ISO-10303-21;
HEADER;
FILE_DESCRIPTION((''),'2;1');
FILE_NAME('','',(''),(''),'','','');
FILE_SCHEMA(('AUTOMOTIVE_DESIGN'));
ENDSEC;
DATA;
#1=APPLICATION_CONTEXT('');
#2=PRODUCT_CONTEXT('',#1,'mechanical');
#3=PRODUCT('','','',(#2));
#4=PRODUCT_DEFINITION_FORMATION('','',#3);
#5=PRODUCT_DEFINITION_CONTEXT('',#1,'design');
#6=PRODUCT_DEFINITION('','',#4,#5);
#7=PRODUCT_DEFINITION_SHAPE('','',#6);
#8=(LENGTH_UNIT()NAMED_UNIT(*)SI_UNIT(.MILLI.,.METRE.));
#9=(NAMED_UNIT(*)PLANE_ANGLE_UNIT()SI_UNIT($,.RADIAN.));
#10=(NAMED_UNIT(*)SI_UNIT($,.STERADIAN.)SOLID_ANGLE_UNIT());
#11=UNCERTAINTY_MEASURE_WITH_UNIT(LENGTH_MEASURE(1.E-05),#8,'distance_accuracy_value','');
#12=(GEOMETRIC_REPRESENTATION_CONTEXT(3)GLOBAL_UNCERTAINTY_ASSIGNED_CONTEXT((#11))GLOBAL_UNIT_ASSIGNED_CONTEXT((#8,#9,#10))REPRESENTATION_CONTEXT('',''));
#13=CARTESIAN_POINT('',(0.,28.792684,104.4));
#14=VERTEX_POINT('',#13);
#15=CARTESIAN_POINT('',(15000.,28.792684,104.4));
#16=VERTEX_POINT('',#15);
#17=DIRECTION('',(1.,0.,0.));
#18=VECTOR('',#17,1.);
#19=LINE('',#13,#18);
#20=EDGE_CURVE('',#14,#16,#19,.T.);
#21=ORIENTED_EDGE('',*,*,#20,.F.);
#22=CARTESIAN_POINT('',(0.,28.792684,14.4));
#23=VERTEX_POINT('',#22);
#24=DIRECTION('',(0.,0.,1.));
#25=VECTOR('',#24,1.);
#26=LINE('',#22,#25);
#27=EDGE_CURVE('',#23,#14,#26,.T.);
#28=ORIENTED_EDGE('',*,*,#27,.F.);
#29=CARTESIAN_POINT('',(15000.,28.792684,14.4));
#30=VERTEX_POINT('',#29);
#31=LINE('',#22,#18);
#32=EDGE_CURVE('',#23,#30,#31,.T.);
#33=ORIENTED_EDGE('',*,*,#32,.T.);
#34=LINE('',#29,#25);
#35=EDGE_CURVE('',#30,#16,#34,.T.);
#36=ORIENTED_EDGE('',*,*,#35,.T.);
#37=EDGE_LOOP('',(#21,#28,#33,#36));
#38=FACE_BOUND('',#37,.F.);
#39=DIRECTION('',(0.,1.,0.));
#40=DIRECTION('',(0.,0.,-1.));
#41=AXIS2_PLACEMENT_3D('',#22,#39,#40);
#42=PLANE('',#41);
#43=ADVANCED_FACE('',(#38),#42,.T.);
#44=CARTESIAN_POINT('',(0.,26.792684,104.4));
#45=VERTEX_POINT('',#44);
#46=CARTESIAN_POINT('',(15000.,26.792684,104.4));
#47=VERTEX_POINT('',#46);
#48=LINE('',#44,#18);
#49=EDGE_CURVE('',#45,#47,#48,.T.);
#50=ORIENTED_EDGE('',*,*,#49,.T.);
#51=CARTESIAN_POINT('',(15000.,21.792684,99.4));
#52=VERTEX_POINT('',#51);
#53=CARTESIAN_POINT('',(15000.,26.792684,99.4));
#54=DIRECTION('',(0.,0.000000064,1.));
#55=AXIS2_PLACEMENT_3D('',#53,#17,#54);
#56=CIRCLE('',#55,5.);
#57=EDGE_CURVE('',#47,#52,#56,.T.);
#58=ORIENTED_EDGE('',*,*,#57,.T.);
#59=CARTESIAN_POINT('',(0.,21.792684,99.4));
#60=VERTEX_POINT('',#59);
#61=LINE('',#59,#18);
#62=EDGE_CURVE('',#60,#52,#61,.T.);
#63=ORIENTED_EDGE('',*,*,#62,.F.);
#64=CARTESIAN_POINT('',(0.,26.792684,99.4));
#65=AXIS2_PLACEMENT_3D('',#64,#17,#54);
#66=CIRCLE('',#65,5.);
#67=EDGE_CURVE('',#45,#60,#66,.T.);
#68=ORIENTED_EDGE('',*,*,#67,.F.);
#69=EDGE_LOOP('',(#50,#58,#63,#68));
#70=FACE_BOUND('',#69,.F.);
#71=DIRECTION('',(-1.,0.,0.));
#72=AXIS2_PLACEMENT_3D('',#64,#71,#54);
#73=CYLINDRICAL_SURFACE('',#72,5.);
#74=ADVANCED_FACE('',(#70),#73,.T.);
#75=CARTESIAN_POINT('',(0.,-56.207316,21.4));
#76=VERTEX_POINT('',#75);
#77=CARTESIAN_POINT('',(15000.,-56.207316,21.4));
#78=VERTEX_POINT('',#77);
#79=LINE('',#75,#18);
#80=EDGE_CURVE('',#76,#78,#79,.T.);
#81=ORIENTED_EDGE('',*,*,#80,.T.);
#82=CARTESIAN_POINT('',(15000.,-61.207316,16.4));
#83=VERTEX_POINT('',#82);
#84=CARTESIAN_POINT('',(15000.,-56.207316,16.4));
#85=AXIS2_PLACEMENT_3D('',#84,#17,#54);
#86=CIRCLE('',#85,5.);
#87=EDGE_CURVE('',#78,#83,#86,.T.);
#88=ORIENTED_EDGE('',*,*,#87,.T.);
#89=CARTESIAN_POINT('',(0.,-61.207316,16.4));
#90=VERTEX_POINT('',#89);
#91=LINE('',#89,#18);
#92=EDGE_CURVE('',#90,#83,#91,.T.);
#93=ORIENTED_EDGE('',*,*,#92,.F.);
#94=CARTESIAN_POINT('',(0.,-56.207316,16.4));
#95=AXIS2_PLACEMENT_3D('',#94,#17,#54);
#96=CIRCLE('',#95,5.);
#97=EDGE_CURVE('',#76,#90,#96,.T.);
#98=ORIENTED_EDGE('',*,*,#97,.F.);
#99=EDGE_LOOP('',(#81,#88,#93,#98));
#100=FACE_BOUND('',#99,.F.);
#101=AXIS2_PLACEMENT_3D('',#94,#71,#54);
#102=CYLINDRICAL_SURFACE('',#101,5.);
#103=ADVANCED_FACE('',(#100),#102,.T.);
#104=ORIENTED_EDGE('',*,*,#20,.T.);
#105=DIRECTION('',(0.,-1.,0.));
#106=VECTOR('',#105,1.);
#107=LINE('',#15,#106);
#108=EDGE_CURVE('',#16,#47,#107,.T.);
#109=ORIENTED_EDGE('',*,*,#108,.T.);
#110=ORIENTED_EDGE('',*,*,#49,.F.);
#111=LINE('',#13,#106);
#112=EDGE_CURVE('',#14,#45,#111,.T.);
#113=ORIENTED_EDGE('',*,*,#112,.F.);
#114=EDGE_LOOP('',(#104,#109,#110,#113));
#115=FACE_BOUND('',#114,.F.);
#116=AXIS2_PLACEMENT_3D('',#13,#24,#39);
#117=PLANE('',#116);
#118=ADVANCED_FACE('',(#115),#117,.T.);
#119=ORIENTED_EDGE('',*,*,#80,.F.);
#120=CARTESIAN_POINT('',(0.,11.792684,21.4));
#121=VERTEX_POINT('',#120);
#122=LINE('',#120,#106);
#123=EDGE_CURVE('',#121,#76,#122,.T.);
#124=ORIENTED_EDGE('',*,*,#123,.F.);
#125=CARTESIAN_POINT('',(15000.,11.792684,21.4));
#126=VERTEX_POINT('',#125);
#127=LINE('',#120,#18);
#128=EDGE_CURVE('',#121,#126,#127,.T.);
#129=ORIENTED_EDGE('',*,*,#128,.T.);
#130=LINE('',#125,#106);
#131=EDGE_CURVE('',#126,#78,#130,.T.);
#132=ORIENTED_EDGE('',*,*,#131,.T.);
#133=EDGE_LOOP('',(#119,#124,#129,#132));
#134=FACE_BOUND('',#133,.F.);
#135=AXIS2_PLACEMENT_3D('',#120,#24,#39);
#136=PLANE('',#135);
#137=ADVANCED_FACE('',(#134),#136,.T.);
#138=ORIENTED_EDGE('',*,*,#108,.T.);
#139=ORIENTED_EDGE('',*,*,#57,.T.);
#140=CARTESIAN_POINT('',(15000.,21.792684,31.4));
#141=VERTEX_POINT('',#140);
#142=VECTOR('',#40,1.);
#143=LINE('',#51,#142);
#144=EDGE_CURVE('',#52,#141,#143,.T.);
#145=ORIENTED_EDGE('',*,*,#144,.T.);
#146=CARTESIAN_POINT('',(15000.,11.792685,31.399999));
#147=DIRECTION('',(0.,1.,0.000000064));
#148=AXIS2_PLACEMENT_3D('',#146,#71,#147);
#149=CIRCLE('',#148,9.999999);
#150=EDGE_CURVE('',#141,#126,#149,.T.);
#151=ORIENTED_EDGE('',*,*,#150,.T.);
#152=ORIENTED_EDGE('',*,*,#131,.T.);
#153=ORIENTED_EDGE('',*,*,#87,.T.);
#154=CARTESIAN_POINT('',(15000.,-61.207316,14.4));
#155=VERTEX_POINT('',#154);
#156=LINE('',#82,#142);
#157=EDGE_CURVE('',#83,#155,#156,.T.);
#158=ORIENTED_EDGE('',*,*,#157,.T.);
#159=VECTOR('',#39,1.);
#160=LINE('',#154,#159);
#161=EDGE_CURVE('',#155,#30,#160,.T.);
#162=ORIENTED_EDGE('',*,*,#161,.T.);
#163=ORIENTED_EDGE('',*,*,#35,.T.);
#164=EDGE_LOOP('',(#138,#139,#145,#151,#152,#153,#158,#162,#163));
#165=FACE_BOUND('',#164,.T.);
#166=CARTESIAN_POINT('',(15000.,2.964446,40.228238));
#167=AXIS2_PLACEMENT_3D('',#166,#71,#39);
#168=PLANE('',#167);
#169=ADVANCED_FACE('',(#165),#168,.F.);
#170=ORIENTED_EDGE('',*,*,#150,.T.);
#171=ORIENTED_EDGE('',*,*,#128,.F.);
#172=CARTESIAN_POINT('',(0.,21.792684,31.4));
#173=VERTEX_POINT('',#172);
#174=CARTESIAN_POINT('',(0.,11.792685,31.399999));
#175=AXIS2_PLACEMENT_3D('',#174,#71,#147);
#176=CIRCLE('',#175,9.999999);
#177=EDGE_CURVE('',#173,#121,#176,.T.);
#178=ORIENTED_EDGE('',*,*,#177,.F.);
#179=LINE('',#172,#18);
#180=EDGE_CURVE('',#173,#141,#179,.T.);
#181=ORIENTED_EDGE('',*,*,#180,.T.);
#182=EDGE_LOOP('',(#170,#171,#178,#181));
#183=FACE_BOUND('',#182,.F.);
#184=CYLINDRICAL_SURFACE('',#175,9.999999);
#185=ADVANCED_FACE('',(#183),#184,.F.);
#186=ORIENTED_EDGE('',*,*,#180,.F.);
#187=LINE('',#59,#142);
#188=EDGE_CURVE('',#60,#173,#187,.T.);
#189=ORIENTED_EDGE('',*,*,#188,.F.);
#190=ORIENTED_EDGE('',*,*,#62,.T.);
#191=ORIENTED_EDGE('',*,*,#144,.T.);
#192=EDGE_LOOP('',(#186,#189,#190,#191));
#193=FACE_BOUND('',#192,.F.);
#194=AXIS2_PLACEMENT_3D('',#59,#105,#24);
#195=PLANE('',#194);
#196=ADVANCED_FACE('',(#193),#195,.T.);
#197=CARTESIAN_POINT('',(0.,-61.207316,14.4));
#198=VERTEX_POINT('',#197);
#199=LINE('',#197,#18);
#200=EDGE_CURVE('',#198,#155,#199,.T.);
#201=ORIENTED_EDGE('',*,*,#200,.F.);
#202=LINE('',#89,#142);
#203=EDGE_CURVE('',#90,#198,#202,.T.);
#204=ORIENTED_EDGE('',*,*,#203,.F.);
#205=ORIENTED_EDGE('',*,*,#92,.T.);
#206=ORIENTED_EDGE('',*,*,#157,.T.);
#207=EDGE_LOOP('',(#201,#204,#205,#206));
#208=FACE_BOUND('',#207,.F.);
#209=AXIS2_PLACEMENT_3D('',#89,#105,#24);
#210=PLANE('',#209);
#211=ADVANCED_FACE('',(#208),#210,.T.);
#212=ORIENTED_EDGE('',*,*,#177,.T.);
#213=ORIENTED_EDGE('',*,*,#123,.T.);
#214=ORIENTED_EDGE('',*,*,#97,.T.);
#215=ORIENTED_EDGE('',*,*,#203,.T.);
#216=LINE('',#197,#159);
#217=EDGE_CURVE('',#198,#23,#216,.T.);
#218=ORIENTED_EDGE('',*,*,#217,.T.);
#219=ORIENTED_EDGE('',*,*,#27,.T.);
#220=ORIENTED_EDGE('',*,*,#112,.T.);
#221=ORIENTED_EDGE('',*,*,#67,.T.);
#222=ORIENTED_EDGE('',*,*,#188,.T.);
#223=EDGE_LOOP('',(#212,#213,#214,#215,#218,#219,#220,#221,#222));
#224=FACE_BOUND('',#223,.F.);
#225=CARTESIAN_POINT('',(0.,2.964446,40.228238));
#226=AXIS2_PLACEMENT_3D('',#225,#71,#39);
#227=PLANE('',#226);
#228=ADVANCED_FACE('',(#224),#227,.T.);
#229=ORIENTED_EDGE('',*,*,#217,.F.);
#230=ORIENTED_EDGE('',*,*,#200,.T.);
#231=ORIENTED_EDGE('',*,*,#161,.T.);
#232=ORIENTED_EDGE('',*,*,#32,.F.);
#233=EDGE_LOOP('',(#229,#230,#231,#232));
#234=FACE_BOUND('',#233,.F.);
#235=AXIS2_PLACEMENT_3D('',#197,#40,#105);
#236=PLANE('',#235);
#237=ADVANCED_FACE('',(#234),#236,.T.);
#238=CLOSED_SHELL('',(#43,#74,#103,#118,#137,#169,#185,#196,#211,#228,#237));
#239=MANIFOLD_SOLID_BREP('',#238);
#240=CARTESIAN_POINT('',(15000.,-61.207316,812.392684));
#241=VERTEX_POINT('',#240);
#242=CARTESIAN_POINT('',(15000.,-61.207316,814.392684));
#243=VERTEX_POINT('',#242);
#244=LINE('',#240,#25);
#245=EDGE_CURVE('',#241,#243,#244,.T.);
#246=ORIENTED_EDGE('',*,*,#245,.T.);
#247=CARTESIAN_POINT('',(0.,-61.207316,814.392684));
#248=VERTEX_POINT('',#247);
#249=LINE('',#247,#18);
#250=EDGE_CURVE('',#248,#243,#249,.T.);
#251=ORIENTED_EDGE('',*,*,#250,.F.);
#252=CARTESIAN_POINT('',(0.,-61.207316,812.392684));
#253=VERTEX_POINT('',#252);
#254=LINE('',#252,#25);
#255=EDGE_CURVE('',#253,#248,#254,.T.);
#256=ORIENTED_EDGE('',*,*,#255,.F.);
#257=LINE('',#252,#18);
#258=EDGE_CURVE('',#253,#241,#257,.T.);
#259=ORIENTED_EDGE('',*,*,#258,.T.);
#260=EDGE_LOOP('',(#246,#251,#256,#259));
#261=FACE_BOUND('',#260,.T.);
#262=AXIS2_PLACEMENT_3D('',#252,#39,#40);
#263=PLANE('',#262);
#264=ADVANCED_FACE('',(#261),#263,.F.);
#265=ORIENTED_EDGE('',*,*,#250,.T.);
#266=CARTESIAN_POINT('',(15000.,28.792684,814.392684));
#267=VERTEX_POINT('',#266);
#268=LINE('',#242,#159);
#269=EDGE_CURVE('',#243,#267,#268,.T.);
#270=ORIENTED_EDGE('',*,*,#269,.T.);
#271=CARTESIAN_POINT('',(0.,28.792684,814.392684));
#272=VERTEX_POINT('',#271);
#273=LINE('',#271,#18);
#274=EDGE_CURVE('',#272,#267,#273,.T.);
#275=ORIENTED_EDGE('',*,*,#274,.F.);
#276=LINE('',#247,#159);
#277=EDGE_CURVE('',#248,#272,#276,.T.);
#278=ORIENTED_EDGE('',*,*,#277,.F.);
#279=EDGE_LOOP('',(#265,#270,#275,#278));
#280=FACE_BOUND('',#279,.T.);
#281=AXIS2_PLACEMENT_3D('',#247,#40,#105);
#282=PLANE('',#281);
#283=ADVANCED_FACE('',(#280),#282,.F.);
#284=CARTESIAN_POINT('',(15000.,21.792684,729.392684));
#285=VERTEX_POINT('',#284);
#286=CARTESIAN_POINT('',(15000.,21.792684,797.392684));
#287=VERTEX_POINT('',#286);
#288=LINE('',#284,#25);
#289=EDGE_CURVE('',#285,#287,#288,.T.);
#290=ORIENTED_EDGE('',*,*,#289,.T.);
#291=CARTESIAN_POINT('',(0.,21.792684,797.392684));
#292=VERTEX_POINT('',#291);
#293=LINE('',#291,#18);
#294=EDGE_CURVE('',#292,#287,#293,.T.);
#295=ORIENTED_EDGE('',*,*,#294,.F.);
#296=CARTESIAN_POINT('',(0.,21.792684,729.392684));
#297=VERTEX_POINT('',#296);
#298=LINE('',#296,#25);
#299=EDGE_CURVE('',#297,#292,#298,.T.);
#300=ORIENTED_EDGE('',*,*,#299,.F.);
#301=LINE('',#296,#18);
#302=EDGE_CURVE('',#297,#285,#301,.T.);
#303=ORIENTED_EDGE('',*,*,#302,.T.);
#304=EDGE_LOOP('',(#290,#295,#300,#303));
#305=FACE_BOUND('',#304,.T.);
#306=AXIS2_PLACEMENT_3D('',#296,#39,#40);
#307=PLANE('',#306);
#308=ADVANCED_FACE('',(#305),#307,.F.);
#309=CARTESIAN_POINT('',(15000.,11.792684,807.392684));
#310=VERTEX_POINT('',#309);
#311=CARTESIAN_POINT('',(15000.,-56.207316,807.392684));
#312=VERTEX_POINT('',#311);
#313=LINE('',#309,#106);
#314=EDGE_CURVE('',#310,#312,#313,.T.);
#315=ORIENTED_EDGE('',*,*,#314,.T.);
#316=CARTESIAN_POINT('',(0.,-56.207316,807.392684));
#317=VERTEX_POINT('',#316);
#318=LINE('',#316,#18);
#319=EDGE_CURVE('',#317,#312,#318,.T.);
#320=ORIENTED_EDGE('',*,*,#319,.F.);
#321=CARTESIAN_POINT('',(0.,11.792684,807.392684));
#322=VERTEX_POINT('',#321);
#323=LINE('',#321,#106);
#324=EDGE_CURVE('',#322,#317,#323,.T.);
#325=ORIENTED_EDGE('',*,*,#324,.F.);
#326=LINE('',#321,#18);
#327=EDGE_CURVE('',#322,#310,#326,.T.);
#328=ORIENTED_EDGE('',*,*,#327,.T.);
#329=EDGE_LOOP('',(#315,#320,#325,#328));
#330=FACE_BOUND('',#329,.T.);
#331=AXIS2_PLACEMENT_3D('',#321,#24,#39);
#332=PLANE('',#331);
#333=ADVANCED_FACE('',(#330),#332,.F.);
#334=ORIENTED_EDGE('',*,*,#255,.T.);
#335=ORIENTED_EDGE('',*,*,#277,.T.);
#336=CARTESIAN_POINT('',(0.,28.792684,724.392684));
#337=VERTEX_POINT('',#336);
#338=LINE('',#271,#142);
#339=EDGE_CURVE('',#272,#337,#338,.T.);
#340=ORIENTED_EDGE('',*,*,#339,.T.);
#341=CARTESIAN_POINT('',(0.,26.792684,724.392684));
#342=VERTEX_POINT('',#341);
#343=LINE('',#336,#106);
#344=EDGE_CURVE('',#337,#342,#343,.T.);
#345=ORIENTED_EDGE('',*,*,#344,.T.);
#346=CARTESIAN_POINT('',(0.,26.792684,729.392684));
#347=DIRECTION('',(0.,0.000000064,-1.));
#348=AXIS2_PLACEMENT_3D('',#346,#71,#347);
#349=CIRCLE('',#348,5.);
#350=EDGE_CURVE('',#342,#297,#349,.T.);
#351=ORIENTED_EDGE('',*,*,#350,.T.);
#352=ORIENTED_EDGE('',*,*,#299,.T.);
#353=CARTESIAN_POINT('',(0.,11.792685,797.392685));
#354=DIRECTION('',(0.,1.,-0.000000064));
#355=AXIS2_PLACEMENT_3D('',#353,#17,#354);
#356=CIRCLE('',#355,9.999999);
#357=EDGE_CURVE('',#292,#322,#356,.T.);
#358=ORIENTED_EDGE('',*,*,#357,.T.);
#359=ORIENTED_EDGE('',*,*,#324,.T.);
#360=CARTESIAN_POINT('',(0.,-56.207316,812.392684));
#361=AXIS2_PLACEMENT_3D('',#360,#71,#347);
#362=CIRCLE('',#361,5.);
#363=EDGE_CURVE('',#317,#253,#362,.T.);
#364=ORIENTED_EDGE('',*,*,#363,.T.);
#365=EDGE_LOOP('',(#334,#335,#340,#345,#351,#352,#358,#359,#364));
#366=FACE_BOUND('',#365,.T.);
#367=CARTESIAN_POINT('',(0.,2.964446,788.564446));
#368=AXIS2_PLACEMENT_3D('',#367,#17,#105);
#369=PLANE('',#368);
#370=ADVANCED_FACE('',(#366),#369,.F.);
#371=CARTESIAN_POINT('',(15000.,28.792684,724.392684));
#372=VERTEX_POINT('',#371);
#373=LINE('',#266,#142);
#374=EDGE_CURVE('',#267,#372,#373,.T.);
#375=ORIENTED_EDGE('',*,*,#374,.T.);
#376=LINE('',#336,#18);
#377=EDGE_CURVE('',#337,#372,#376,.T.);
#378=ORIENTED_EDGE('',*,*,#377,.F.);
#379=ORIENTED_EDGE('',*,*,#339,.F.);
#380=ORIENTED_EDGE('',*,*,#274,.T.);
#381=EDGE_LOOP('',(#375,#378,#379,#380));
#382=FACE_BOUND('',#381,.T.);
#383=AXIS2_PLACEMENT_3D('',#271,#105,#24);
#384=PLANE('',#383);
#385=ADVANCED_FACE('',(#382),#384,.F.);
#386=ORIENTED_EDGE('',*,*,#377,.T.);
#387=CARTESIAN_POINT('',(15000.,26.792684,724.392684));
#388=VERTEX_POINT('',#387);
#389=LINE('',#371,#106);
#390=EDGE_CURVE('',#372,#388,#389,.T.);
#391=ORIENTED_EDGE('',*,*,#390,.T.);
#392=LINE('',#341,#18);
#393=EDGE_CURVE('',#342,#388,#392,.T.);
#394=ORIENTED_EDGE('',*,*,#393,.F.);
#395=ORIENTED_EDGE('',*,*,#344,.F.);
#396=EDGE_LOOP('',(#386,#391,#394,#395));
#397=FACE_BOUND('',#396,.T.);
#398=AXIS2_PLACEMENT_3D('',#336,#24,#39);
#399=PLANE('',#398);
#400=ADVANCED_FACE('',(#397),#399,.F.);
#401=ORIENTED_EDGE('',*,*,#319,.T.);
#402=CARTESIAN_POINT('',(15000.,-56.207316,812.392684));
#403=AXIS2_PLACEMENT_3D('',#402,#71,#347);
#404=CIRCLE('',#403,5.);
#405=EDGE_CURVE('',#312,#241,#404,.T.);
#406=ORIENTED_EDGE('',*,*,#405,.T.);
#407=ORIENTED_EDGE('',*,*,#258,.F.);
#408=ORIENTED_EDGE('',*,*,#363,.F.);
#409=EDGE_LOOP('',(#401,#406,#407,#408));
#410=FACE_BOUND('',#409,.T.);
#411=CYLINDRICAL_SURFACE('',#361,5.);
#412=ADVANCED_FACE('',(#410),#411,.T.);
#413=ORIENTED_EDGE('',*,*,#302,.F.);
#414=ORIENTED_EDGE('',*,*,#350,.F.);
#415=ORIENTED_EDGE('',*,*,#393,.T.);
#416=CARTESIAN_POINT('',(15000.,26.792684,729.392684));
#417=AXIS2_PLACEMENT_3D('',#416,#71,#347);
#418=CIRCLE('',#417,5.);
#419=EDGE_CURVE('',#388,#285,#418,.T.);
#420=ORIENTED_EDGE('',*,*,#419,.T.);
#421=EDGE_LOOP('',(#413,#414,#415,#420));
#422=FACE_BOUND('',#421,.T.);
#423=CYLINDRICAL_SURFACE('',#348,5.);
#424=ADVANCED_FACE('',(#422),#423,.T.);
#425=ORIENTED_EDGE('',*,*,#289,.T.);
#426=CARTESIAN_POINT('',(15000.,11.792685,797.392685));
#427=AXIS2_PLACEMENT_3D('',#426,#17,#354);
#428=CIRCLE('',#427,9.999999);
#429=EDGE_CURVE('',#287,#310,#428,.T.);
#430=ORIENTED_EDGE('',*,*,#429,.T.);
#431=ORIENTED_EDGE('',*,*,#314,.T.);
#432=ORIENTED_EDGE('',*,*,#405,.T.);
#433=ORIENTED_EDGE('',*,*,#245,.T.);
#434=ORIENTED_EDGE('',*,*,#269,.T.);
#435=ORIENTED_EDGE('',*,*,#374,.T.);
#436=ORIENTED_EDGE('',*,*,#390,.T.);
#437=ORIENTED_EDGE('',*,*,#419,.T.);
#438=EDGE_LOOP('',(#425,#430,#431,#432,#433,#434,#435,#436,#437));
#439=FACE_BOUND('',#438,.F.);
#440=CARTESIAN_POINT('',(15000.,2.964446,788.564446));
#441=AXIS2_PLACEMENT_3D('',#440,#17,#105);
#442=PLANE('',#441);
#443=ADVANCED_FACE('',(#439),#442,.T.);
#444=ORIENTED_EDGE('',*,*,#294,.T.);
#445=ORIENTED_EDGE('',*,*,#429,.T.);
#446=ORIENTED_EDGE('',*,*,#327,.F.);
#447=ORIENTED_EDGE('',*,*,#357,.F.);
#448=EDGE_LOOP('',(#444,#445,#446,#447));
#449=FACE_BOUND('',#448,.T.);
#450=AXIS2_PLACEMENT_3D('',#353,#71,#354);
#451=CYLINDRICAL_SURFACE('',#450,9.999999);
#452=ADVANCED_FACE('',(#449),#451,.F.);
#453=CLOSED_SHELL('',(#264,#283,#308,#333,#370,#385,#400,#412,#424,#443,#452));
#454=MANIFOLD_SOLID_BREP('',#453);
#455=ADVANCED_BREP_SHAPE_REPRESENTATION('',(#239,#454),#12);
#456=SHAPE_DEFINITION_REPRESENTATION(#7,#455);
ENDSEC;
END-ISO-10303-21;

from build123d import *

# Parameters (mm, degrees)
EXTRUDE017_DEPTH = 15000
EXTRUDE018_DEPTH = 15000


with BuildPart() as extrude017:
    # AngleSteel004 → Extrude017 (new body)
    with BuildSketch(Plane(origin=(0, 53.415282, 39.015282), x_dir=(0, 1, 0), z_dir=(-1, 0, 0))):
        with BuildLine():
            Line((-24.615282, 24.615282), (-24.615282, -65.384718))
            Line((-24.615282, -65.384718), (-22.615282, -65.384718))
            ThreePointArc((-22.615282, -65.384718), (-19.079748, -63.920252), (-17.615282, -60.384718))
            Line((-17.615282, -60.384718), (-17.615282, 7.615282))
            ThreePointArc((-17.615282, 7.615282), (-14.68635, 14.68635), (-7.615282, 17.615282))
            Line((-7.615282, 17.615282), (60.384718, 17.615282))
            ThreePointArc((60.384718, 17.615282), (63.920252, 19.079748), (65.384718, 22.615282))
            Line((65.384718, 22.615282), (65.384718, 24.615282))
            Line((65.384718, 24.615282), (-24.615282, 24.615282))
        make_face()
    extrude(amount=-EXTRUDE017_DEPTH)


with BuildPart() as fusion001:
    # Mirror → Extrude018 (new body)
    with BuildSketch(Plane(origin=(0, 53.415282, 789.777402), x_dir=(0, -1, 0), z_dir=(1, 0, 0))):
        with BuildLine():
            Line((24.615282, -24.615282), (24.615282, 65.384718))
            Line((24.615282, 65.384718), (22.615282, 65.384718))
            ThreePointArc((22.615282, 65.384718), (19.079748, 63.920252), (17.615282, 60.384718))
            Line((17.615282, 60.384718), (17.615282, -7.615282))
            ThreePointArc((17.615282, -7.615282), (14.68635, -14.68635), (7.615282, -17.615282))
            Line((7.615282, -17.615282), (-60.384718, -17.615282))
            ThreePointArc((-60.384718, -17.615282), (-63.920252, -19.079748), (-65.384718, -22.615282))
            Line((-65.384718, -22.615282), (-65.384718, -24.615282))
            Line((-65.384718, -24.615282), (24.615282, -24.615282))
        make_face()
    extrude(amount=EXTRUDE018_DEPTH)

    # Fusion001: union Extrude017
    add(extrude017.part)


with BuildPart() as fusion_mirrored:
    # Mirror001: instance of Fusion001
    add(fusion001.part.mirror(Plane(origin=(0, 28.796342, 514.396342), x_dir=(-1, 0, 0), z_dir=(0, -1, 0))))


with BuildPart() as fusion_mirrored_1:
    # Mirror001 placement: moved
    add(fusion_mirrored.part.moved(Location((0, -6, 0))))


solid = fusion_mirrored_1.part
